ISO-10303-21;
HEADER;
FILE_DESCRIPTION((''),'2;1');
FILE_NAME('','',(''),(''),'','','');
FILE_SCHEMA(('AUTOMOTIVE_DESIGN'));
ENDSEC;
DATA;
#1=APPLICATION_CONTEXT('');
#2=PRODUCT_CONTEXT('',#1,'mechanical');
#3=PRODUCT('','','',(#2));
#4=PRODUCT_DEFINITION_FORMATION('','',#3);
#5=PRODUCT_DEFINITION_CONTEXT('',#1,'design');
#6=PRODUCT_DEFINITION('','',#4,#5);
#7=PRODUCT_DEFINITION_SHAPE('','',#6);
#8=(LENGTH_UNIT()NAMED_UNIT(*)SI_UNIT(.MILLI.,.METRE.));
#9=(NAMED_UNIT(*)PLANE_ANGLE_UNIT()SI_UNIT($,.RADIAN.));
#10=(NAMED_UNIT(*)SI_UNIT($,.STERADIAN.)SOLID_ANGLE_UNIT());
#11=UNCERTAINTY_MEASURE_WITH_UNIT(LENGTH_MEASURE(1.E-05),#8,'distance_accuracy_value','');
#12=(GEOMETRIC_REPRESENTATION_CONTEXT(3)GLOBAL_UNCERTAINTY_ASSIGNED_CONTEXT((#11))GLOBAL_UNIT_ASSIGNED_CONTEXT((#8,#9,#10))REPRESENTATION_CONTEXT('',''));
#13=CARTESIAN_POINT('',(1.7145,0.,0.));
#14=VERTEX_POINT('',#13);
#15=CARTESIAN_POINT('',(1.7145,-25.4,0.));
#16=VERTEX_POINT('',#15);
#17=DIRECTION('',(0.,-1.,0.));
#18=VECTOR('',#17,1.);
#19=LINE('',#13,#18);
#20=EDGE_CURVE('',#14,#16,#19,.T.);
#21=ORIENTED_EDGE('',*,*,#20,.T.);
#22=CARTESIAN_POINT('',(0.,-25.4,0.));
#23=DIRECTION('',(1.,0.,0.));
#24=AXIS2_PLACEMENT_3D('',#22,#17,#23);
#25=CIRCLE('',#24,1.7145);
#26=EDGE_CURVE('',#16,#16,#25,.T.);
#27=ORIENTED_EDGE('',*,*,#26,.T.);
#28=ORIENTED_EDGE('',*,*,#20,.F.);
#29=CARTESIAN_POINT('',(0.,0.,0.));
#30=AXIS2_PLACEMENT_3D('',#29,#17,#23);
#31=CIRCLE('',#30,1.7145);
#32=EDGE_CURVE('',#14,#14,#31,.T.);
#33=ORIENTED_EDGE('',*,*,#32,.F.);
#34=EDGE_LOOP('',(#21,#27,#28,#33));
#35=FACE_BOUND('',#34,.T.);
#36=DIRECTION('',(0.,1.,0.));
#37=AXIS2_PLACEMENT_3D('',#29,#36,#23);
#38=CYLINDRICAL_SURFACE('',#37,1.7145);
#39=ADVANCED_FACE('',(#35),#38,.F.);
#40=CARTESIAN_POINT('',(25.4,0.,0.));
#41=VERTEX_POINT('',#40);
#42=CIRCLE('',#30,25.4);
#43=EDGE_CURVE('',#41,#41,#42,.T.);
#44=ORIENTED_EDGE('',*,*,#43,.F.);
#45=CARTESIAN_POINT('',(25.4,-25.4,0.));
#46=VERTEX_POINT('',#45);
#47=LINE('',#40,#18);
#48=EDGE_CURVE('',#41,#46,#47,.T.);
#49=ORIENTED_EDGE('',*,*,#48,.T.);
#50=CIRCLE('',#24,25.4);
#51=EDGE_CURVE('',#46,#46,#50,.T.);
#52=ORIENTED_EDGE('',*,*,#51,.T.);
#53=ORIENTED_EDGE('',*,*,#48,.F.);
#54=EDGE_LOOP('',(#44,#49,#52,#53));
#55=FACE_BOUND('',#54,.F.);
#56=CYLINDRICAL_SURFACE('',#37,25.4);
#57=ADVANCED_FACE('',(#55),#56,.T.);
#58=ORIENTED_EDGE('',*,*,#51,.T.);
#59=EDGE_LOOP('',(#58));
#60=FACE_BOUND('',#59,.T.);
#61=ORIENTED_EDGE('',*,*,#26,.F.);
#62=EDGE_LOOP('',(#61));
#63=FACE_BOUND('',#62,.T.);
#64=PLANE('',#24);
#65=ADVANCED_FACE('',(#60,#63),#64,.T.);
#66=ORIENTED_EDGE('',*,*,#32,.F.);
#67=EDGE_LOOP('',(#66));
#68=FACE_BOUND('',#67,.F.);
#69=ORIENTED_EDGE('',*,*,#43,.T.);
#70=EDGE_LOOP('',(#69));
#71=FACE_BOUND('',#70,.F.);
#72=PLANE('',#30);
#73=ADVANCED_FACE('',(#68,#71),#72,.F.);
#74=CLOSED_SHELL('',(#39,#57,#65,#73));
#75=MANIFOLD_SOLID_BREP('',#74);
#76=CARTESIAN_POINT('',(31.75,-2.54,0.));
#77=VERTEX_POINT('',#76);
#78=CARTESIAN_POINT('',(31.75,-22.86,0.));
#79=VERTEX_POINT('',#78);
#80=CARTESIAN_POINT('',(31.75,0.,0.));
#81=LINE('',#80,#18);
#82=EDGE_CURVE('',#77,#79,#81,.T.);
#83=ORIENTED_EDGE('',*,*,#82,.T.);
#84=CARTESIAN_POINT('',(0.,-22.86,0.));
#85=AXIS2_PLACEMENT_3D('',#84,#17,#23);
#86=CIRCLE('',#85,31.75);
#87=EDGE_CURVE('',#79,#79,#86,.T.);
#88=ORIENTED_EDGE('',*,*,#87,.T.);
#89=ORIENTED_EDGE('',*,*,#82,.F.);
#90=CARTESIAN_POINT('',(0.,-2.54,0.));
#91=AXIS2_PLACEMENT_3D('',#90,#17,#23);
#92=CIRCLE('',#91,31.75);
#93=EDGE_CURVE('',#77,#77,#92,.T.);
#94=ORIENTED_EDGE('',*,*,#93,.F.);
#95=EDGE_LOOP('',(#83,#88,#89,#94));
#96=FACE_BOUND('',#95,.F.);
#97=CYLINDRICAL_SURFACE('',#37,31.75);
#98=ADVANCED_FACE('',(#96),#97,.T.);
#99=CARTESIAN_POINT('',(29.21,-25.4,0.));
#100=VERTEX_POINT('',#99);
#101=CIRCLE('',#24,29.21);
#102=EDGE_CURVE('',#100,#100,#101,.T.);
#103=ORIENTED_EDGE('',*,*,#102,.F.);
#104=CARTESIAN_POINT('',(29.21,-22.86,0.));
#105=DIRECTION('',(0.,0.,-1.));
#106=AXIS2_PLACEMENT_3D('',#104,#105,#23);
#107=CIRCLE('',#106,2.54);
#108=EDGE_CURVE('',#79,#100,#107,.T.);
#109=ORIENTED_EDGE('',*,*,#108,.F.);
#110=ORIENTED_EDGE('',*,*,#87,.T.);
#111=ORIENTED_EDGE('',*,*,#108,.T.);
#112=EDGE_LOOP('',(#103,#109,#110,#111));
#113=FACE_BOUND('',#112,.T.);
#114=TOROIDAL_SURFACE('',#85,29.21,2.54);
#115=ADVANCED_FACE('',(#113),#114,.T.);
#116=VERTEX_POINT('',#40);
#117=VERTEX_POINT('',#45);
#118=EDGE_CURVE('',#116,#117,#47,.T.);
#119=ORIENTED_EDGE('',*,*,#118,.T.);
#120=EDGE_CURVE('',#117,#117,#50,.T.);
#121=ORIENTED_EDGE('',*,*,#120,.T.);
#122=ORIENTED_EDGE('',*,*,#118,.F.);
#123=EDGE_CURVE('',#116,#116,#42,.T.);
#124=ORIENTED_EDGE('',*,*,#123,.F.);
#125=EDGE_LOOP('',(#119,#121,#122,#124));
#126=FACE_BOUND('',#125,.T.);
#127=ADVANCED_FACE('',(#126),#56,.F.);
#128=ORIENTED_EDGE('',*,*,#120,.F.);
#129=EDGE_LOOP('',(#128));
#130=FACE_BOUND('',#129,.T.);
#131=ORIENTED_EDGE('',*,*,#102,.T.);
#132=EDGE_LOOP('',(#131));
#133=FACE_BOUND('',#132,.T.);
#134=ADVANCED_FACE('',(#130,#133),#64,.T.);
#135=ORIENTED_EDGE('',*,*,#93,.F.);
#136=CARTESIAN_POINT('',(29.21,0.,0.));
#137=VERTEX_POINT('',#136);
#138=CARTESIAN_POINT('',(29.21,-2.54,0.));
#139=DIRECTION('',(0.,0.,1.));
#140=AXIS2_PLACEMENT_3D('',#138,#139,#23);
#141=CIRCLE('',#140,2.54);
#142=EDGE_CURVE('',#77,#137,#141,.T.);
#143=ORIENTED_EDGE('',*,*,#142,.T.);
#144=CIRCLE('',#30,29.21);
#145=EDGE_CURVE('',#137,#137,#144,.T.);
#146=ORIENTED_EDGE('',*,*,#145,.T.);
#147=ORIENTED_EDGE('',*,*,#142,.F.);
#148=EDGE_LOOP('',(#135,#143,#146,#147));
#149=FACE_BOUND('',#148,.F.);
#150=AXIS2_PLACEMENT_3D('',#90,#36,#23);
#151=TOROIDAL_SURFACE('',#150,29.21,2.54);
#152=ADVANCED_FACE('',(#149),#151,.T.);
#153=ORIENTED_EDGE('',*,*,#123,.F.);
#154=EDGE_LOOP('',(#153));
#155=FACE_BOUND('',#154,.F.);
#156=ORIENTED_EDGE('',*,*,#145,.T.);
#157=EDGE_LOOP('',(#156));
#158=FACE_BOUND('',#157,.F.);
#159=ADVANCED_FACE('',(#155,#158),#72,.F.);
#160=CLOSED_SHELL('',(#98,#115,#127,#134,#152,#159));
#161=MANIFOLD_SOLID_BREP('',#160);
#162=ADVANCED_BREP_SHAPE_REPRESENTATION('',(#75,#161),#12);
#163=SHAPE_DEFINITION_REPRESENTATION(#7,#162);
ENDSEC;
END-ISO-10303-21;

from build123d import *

# Parameters (mm, degrees)
F0_R     = 25.4
F0_R_2   = 1.7145
F1_DEPTH = 25.4
F0_R_3   = 31.75
F2_DEPTH = 25.4
F3_R     = 2.54
F4_R     = 2.54


with BuildPart() as f1:
    # F0 (on Front) → F1 (new body)
    with BuildSketch(Plane.XZ):
        Circle(F0_R)
        Circle(F0_R_2, mode=Mode.SUBTRACT)
    extrude(amount=F1_DEPTH)


with BuildPart() as f2:
    # F0 (on Front) → F2 (new body)
    with BuildSketch(Plane.XZ):
        Circle(F0_R_3)
        Circle(F0_R, mode=Mode.SUBTRACT)
    extrude(amount=F2_DEPTH)

    # F3
    f3_edges = [f2.edges().sort_by_distance(p)[0] for p in [
        (-31.75, -25.4, 0),
    ]]
    fillet(f3_edges, radius=F3_R)

    # F4
    f4_edges = [f2.edges().sort_by_distance(p)[0] for p in [
        (-31.75, 0, 0),
    ]]
    fillet(f4_edges, radius=F4_R)


solid = Compound([f1.part, f2.part])
